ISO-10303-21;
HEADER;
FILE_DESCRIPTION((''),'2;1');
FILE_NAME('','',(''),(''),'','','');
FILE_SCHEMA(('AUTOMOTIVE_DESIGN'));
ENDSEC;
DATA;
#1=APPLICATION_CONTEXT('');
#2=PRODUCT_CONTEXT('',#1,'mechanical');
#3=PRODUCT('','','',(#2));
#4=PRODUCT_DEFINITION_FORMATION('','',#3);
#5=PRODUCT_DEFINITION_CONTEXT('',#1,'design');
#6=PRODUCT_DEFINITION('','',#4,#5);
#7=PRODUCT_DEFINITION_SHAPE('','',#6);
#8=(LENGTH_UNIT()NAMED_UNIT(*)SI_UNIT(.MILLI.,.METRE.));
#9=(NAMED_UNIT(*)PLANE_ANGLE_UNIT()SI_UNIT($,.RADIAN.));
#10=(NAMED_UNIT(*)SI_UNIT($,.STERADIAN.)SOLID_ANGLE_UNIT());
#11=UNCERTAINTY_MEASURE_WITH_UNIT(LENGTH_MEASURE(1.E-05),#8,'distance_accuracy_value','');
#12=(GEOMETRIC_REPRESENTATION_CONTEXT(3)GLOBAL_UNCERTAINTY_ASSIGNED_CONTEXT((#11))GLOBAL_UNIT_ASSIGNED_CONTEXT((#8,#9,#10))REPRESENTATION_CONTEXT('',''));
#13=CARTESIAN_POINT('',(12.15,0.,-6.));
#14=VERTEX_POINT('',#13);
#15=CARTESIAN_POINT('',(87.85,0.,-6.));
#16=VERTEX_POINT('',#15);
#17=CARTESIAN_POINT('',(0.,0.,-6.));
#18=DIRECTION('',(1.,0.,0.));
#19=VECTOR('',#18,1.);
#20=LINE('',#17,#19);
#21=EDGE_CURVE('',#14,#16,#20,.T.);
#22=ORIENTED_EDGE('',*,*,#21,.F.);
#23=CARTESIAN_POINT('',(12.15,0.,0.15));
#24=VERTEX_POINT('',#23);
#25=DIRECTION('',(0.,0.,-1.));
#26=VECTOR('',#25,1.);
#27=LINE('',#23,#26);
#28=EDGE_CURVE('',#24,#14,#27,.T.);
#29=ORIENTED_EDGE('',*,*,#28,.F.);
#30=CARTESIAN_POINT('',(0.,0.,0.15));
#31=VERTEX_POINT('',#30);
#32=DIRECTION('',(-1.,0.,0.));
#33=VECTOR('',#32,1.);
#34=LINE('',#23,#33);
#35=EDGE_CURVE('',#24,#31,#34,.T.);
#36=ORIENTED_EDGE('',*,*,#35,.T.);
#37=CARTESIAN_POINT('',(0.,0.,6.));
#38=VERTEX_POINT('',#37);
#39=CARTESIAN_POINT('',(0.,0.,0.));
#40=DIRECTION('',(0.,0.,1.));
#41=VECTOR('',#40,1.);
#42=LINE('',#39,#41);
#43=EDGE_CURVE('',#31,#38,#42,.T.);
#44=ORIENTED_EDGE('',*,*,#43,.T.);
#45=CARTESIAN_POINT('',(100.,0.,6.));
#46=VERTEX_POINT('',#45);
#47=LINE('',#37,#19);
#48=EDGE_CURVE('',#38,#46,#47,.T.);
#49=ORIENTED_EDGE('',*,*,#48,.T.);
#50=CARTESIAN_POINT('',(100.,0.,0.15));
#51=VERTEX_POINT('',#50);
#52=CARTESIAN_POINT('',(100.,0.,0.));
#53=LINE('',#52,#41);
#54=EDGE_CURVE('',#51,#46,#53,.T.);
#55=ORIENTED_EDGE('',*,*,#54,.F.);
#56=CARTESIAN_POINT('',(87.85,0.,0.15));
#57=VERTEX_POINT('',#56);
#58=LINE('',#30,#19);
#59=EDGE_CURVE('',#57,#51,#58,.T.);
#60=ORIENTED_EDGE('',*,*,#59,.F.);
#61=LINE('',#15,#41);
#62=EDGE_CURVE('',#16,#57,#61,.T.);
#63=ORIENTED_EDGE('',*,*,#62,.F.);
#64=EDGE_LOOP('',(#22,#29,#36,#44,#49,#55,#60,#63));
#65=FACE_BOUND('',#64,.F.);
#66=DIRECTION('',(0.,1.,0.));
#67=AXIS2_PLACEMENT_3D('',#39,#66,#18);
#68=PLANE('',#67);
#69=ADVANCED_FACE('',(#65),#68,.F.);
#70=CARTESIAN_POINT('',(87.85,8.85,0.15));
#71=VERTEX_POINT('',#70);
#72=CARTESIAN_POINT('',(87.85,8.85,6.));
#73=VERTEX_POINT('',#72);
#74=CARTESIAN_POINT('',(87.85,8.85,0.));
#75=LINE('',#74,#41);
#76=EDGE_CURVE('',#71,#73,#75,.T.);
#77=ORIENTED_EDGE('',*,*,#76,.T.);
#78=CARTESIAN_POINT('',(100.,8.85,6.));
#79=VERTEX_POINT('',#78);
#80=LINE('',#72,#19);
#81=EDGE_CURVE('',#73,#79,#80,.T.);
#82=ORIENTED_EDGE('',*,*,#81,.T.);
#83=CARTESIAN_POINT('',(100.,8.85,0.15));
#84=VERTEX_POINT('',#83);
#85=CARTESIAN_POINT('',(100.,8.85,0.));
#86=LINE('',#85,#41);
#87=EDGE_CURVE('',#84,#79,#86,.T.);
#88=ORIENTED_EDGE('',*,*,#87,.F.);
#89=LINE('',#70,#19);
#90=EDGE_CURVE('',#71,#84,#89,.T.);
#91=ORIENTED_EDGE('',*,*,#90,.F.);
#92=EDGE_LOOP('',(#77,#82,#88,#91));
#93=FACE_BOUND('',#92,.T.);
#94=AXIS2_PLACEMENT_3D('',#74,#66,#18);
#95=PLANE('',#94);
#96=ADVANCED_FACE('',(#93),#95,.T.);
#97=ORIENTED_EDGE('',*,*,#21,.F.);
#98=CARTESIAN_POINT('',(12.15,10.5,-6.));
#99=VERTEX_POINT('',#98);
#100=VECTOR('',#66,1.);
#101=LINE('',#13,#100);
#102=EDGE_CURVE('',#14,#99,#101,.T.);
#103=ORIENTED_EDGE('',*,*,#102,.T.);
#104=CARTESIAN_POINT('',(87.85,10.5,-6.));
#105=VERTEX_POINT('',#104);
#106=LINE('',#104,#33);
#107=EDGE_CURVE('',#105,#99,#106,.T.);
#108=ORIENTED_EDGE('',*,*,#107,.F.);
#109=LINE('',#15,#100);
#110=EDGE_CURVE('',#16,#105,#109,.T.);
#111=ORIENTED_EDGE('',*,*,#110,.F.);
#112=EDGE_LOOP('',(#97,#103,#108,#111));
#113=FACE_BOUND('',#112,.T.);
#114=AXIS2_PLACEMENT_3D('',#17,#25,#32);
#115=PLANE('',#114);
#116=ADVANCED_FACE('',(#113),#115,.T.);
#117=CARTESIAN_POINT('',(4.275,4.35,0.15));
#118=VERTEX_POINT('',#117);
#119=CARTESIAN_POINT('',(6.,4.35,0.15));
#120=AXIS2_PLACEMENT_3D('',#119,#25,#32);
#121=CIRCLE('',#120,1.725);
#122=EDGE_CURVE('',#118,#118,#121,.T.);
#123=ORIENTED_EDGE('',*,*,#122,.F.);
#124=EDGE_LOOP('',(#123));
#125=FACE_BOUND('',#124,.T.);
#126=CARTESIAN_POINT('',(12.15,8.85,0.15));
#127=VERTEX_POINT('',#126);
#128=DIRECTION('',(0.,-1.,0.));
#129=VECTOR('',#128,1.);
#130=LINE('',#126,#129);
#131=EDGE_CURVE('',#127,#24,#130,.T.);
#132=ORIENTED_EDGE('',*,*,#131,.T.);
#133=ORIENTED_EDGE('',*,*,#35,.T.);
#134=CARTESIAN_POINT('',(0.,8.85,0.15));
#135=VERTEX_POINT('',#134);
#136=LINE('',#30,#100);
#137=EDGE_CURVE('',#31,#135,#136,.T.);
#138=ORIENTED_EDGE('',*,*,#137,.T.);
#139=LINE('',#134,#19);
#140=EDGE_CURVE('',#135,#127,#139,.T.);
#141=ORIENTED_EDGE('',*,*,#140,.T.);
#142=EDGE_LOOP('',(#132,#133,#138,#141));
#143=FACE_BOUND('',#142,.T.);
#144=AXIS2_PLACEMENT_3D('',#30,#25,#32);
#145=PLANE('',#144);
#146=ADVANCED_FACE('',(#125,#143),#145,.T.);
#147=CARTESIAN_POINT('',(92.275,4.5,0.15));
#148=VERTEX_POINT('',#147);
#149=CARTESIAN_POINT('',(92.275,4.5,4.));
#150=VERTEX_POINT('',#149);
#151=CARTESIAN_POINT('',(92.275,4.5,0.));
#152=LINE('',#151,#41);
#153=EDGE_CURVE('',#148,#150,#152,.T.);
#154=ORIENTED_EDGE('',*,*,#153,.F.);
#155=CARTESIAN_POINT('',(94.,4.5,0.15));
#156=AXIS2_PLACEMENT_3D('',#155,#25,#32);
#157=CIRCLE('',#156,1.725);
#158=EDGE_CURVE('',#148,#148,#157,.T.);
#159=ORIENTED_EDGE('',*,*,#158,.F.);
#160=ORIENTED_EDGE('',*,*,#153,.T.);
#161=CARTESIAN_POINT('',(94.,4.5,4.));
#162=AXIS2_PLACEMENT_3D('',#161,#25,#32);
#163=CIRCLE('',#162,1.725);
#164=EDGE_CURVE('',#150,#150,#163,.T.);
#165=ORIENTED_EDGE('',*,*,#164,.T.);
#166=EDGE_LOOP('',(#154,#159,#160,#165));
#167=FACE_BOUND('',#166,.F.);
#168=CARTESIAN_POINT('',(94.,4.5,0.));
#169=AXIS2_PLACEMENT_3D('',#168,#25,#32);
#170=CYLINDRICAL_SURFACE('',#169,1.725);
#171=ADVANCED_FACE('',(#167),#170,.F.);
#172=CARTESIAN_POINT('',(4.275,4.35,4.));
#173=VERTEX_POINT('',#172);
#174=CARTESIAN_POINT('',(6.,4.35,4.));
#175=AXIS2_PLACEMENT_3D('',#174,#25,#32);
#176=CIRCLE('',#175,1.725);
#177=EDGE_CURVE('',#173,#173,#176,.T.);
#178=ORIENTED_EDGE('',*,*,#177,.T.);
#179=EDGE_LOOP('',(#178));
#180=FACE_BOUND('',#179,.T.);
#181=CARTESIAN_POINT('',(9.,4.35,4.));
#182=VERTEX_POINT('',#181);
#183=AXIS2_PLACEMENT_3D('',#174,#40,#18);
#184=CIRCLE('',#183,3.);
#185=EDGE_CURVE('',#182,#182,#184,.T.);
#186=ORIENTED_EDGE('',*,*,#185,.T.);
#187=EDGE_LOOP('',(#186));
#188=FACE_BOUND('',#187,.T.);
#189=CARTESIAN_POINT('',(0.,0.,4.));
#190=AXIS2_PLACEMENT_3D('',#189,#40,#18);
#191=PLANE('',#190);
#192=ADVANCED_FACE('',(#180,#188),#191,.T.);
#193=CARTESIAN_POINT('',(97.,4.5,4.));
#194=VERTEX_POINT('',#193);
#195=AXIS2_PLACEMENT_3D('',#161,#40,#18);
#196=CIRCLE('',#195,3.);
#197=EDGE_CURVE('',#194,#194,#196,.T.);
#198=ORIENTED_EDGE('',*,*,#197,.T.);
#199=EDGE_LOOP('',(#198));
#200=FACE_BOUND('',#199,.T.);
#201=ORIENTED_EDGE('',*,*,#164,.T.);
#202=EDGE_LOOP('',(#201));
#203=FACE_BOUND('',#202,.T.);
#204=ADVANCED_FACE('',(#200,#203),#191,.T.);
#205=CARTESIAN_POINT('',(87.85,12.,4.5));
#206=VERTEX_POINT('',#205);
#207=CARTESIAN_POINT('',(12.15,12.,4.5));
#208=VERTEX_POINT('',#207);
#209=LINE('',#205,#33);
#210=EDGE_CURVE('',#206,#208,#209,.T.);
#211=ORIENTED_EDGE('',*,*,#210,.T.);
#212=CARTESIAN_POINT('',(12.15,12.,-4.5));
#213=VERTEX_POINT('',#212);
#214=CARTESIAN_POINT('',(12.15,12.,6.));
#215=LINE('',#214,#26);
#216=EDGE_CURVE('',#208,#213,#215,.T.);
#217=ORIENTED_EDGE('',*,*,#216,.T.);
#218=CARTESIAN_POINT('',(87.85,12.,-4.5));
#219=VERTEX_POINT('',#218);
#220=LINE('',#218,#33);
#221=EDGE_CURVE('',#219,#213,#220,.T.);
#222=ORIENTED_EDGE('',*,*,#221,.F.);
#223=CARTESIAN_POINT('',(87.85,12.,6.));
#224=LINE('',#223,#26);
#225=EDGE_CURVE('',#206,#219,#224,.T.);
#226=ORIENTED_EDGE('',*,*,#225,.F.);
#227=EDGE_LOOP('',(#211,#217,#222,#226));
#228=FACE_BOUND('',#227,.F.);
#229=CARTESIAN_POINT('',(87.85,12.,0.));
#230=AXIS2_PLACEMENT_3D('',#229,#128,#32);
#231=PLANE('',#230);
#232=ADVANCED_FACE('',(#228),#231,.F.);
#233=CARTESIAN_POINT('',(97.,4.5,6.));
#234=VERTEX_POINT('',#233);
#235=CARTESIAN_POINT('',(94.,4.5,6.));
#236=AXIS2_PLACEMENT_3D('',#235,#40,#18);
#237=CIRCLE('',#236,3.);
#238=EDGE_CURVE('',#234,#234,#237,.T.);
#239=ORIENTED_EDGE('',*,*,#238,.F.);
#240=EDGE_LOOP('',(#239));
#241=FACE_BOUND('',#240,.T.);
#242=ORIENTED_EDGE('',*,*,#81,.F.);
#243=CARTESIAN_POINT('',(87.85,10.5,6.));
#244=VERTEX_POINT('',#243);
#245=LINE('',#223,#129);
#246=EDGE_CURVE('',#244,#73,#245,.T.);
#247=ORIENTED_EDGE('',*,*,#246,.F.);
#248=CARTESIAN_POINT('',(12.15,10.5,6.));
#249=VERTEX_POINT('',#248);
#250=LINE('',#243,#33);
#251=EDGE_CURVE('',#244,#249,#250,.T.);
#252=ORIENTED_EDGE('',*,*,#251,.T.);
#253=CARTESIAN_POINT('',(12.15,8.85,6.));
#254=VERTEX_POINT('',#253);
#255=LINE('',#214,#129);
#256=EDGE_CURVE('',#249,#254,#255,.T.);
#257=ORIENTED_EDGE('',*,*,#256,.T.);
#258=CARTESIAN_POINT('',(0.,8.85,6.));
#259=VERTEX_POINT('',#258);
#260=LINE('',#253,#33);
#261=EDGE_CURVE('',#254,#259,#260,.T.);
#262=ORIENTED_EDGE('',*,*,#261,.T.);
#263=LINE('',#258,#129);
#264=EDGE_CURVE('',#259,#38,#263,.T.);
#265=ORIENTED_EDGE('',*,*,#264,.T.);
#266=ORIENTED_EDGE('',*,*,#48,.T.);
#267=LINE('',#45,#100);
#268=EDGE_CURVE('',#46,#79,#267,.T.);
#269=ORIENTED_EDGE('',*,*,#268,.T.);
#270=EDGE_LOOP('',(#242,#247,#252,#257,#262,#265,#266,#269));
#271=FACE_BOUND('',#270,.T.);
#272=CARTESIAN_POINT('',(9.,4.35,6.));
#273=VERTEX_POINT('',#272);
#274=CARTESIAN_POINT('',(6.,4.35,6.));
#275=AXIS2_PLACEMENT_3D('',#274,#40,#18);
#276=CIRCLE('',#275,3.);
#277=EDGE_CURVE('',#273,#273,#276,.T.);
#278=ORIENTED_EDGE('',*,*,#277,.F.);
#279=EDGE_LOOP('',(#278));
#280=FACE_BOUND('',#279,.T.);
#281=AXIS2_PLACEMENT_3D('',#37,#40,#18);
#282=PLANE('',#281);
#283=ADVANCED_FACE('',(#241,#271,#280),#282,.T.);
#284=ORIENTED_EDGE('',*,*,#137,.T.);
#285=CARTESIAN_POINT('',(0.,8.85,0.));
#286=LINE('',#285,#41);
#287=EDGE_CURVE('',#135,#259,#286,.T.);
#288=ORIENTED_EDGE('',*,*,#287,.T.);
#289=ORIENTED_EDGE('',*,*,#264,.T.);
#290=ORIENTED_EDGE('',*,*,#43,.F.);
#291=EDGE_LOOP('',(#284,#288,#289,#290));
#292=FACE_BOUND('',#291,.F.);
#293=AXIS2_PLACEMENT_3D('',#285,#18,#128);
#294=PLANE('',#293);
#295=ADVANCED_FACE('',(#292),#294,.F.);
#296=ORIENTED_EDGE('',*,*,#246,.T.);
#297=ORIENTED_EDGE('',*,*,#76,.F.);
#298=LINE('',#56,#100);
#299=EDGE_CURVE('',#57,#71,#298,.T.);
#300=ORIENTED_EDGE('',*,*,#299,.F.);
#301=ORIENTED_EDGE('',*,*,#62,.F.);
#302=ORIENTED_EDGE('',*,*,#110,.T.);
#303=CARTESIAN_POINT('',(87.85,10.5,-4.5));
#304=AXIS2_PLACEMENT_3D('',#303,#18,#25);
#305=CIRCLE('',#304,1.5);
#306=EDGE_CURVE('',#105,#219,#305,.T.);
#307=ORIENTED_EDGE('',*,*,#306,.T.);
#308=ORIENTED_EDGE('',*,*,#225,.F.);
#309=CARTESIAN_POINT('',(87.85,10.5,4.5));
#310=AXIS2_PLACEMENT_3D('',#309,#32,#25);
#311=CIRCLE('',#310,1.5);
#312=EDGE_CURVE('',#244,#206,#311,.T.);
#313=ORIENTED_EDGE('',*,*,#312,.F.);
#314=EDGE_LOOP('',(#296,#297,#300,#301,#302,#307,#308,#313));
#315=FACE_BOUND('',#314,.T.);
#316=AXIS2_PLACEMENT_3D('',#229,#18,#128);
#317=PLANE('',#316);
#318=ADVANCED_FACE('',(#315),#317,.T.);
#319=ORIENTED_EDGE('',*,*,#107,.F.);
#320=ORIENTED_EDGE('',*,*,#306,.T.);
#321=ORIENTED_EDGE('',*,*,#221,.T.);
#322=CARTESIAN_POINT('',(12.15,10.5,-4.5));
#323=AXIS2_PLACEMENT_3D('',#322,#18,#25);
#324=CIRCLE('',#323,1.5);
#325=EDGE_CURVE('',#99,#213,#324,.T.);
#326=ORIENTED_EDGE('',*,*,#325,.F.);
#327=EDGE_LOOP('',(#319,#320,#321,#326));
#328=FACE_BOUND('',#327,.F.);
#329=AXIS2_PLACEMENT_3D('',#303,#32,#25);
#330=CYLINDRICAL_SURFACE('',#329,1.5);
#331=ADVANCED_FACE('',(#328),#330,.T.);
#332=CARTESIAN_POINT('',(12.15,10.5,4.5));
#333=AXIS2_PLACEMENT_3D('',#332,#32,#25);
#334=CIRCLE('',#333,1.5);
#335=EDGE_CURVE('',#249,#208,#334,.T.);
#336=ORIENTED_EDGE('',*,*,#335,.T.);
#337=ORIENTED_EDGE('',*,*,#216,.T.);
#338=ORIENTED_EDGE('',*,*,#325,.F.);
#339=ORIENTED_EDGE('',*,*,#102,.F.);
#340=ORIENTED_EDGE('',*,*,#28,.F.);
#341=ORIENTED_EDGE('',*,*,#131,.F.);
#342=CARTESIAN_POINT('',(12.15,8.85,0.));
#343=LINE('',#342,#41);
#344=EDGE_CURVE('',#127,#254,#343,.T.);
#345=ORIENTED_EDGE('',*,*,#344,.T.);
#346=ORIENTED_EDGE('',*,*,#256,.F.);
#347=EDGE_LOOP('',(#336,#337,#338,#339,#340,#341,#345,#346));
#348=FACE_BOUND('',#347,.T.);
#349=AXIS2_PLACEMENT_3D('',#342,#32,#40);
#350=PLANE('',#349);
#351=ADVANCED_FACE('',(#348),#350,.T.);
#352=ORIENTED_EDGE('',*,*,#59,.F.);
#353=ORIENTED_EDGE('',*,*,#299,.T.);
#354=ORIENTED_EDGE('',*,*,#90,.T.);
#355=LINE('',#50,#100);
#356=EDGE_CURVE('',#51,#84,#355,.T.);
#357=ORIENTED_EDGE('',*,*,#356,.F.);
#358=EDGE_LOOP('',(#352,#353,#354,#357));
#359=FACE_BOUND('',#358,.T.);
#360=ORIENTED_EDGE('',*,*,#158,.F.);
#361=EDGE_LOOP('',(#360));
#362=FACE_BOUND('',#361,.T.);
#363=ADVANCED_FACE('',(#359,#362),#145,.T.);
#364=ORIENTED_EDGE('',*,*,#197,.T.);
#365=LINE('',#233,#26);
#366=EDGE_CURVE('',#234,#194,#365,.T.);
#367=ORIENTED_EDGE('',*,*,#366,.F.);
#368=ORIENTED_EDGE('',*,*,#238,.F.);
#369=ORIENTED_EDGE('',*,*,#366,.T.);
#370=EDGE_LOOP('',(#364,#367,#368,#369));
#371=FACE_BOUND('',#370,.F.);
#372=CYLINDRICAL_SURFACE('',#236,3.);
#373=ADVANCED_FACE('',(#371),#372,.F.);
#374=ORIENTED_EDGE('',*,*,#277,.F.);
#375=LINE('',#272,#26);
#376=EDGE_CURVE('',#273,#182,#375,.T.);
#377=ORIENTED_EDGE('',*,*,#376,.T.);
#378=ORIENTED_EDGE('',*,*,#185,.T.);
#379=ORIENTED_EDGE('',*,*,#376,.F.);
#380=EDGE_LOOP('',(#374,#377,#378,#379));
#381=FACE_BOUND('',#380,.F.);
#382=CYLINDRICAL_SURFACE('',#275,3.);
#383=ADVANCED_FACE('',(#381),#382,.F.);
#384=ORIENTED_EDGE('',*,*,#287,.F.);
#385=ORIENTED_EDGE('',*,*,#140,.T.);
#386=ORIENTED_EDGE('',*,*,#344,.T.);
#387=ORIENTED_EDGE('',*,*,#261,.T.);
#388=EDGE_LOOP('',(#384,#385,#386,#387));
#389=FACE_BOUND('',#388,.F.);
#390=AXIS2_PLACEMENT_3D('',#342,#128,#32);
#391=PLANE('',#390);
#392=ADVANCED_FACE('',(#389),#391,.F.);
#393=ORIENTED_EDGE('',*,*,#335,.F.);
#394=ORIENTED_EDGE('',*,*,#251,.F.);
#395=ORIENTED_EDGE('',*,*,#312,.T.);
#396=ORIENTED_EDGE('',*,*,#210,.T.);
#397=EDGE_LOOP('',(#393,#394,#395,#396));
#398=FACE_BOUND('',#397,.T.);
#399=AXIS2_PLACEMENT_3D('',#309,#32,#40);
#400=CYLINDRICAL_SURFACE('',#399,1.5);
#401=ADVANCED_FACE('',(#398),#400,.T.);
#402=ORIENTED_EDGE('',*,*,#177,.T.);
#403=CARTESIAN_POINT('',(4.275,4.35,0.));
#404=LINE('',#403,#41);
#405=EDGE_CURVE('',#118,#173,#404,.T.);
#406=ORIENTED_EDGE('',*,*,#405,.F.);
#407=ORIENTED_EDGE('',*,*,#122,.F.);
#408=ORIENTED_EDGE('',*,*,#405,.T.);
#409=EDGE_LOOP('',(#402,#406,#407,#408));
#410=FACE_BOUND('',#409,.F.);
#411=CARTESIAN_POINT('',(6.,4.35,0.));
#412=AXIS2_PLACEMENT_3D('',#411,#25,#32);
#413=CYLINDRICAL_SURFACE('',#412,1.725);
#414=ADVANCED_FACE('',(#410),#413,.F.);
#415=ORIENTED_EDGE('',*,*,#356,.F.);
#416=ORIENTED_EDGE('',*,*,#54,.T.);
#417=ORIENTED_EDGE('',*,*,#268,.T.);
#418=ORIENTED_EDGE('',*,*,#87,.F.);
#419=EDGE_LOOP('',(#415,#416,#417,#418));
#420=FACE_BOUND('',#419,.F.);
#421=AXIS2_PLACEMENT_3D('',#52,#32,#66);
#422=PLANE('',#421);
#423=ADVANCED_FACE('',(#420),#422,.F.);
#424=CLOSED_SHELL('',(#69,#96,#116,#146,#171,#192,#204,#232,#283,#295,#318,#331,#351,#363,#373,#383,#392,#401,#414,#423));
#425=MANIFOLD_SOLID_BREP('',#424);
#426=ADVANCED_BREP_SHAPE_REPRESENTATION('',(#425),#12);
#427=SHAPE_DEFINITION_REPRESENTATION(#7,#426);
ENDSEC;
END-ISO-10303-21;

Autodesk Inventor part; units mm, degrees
ref_plane "YZ Plane" through (0, 0, 0) normal (1, 0, 0) x (0, 1, 0)
ref_plane "XZ Plane" through (0, 0, 0) normal (0, 1, 0) x (-1, 0, 0)
ref_plane "XY Plane" through (0, 0, 0) normal (0, 0, 1) x (1, 0, 0)
sketch "Sketch1" plane through (0, 0, 0) normal (0, 0, 1) x (1, 0, 0)
  line L0 (0, 0) -> (100, 0)
  line L1 (100, 0) -> (100, 8.85)
  line L2 (87.85, 12) -> (12.15, 12)
  line L3 (0, 8.85) -> (0, 0)
  line L4 (12.15, 12) -> (12.15, 8.85)
  line L5 (12.15, 8.85) -> (0, 8.85)
  line L6 (87.85, 12) -> (87.85, 8.85)
  line L7 (87.85, 8.85) -> (100, 8.85)
  dimension "d6" = 100
  dimension "d7" = 3.15
  dimension "d8" = 3.15
  dimension "d9" = 12.15
  dimension "d10" = 12.15
  dimension "d11" = 8.85
  dimension "d12" = 8.85
  dimension "d13" = 12
extrude "Extrusion1" add sketch "Sketch1" along normal blind 6
sketch "Sketch2" plane through (0, 0, 0) normal (0, 0, -1) x (-1, 0, 0)
  line L0 (-87.85, 12) -> (-12.15, 12) projected
  line L1 (0, 0) -> (-100, 0) projected
  line L2 (-87.85, 12) -> (-12, 12)
  line L3 (-12, 12) -> (-12, 0)
  line L4 (-12, 0) -> (-87.85, 0)
  line L5 (-87.85, 0) -> (-87.85, 12)
extrude "Extrusion2" add sketch "Sketch2" along normal blind 6
sketch "Sketch3" plane through (0, 0, 0) normal (0, 0, -1) x (-1, 0, 0)
  circle A0 centre (-6, 4.35) radius 1.725
  line L0 (-12, 8.85) -> (0, 8.85) projected
  line L1 (0, 8.85) -> (0, 0) projected
  circle A1 centre (-94, 4.5) radius 1.725
  line L2 (-87.85, 0) -> (-100, 0) projected
  line L3 (-100, 0) -> (-100, 8.85) projected
  point P0 (-12, 9)
  dimension "d18" = 3.45
  dimension "d19" = 4.5
  dimension "d20" = 6
  dimension "d21" = 3.45
  dimension "d22" = 4.5
  dimension "d23" = 6
extrude "Extrusion3" cut sketch "Sketch3" against normal blind 4
sketch "Sketch4" plane through (0, 0, 6) normal (0, 0, 1) x (1, 0, 0)
  circle A0 centre (6, 4.35) radius 3
  line L0 (12.15, 8.85) -> (0, 8.85) projected
  line L1 (0, 8.85) -> (0, 0) projected
  circle A1 centre (94, 4.5) radius 1.725 projected
  circle A2 centre (94, 4.5) radius 3
  dimension "d26" = 6
  dimension "d27" = 4.5
  dimension "d28" = 6
  dimension "d29" = 6
extrude "Extrusion4" cut sketch "Sketch4" against normal blind 2 contours A0 | A1 | A2
sketch "Sketch5" plane through (87.85, 0, 0) normal (0, -1, 0) x (1, 0, 0)
  point P0 (-87.85, 0)
sketch "Sketch6" plane through (0, 0, 0) normal (0, 0, -1) x (-1, 0, 0)
  line L0 (0, 0) -> (-100, 0) projected
  line L1 (-12.15, 8.85) -> (0, 8.85) projected
  line L2 (0, 0) -> (0, 8.85)
  line L3 (-12.15, 8.85) -> (-12, 8.85) projected
  line L4 (0, 8.85) -> (-12, 8.85)
  line L5 (-12, 0) -> (-12, 12) projected
  line L6 (-12, 8.85) -> (-12, 0)
  line L7 (-12, 0) -> (0, 0)
  line L8 (-100, 0) -> (-100, 8.85) projected
  line L9 (-100, 0) -> (-87.85, 0)
  line L10 (-87.85, 0) -> (-87.85, 8.85) projected
  line L11 (-87.85, 0) -> (-87.85, 8.85)
  line L12 (-87.85, 8.85) -> (-100, 8.85)
  line L13 (-100, 8.85) -> (-100, 0)
  dimension "d33" = 12.15
extrude "Extrusion5" cut sketch "Sketch6" against normal blind 0.15
sketch "Sketch7" plane through (12, 8.85, 0) normal (-1, 0, 0) x (0, 0, 1)
  line L0 (0, 3.15) -> (0, 0) projected
  line L1 (0, 3.15) -> (0, 0)
  line L2 (0.15, 0) -> (6, 0) projected
  line L3 (0, 0) -> (0.15, 0)
  line L4 (0.15, 0) -> (0.15, -8.85) projected
  line L5 (0.15, 0) -> (0.15, -8.85)
  line L6 (0.15, -8.85) -> (-6, -8.85) projected
  line L7 (0.15, -8.85) -> (-6, -8.85)
  line L8 (-6, -8.85) -> (-6, 3.15)
  line L9 (0, 3.15) -> (6, 3.15) projected
  line L10 (-6, 3.15) -> (0, 3.15)
  point P0 (0, -8.85)
sketch "Sketch8" plane through (12.15, 12, 6) normal (0, 1, 0) x (1, 0, 0)
  line L0 (0, 6) -> (0, 0) projected
  line L1 (75.7, 12) -> (-0.15, 12) projected
  line L2 (0, 6) -> (-0.15, 6)
  line L3 (-0.15, 6) -> (-0.15, 12)
  line L4 (-0.15, 12) -> (0, 12)
  line L5 (0, 12) -> (0, 6)
  point P0 (-12.15, 6)
extrude "Extrusion6" cut sketch "Sketch7" against normal blind 0.15
fillet "Fillet2" radius 1.5 2 edges at (50, 12, 6) (50, 12, -6)
equation "\"d8\" = d7"
equation "\"d10\" = d9"
equation "\"d12\" = d11"
properties part number "beam10cmVer2"
